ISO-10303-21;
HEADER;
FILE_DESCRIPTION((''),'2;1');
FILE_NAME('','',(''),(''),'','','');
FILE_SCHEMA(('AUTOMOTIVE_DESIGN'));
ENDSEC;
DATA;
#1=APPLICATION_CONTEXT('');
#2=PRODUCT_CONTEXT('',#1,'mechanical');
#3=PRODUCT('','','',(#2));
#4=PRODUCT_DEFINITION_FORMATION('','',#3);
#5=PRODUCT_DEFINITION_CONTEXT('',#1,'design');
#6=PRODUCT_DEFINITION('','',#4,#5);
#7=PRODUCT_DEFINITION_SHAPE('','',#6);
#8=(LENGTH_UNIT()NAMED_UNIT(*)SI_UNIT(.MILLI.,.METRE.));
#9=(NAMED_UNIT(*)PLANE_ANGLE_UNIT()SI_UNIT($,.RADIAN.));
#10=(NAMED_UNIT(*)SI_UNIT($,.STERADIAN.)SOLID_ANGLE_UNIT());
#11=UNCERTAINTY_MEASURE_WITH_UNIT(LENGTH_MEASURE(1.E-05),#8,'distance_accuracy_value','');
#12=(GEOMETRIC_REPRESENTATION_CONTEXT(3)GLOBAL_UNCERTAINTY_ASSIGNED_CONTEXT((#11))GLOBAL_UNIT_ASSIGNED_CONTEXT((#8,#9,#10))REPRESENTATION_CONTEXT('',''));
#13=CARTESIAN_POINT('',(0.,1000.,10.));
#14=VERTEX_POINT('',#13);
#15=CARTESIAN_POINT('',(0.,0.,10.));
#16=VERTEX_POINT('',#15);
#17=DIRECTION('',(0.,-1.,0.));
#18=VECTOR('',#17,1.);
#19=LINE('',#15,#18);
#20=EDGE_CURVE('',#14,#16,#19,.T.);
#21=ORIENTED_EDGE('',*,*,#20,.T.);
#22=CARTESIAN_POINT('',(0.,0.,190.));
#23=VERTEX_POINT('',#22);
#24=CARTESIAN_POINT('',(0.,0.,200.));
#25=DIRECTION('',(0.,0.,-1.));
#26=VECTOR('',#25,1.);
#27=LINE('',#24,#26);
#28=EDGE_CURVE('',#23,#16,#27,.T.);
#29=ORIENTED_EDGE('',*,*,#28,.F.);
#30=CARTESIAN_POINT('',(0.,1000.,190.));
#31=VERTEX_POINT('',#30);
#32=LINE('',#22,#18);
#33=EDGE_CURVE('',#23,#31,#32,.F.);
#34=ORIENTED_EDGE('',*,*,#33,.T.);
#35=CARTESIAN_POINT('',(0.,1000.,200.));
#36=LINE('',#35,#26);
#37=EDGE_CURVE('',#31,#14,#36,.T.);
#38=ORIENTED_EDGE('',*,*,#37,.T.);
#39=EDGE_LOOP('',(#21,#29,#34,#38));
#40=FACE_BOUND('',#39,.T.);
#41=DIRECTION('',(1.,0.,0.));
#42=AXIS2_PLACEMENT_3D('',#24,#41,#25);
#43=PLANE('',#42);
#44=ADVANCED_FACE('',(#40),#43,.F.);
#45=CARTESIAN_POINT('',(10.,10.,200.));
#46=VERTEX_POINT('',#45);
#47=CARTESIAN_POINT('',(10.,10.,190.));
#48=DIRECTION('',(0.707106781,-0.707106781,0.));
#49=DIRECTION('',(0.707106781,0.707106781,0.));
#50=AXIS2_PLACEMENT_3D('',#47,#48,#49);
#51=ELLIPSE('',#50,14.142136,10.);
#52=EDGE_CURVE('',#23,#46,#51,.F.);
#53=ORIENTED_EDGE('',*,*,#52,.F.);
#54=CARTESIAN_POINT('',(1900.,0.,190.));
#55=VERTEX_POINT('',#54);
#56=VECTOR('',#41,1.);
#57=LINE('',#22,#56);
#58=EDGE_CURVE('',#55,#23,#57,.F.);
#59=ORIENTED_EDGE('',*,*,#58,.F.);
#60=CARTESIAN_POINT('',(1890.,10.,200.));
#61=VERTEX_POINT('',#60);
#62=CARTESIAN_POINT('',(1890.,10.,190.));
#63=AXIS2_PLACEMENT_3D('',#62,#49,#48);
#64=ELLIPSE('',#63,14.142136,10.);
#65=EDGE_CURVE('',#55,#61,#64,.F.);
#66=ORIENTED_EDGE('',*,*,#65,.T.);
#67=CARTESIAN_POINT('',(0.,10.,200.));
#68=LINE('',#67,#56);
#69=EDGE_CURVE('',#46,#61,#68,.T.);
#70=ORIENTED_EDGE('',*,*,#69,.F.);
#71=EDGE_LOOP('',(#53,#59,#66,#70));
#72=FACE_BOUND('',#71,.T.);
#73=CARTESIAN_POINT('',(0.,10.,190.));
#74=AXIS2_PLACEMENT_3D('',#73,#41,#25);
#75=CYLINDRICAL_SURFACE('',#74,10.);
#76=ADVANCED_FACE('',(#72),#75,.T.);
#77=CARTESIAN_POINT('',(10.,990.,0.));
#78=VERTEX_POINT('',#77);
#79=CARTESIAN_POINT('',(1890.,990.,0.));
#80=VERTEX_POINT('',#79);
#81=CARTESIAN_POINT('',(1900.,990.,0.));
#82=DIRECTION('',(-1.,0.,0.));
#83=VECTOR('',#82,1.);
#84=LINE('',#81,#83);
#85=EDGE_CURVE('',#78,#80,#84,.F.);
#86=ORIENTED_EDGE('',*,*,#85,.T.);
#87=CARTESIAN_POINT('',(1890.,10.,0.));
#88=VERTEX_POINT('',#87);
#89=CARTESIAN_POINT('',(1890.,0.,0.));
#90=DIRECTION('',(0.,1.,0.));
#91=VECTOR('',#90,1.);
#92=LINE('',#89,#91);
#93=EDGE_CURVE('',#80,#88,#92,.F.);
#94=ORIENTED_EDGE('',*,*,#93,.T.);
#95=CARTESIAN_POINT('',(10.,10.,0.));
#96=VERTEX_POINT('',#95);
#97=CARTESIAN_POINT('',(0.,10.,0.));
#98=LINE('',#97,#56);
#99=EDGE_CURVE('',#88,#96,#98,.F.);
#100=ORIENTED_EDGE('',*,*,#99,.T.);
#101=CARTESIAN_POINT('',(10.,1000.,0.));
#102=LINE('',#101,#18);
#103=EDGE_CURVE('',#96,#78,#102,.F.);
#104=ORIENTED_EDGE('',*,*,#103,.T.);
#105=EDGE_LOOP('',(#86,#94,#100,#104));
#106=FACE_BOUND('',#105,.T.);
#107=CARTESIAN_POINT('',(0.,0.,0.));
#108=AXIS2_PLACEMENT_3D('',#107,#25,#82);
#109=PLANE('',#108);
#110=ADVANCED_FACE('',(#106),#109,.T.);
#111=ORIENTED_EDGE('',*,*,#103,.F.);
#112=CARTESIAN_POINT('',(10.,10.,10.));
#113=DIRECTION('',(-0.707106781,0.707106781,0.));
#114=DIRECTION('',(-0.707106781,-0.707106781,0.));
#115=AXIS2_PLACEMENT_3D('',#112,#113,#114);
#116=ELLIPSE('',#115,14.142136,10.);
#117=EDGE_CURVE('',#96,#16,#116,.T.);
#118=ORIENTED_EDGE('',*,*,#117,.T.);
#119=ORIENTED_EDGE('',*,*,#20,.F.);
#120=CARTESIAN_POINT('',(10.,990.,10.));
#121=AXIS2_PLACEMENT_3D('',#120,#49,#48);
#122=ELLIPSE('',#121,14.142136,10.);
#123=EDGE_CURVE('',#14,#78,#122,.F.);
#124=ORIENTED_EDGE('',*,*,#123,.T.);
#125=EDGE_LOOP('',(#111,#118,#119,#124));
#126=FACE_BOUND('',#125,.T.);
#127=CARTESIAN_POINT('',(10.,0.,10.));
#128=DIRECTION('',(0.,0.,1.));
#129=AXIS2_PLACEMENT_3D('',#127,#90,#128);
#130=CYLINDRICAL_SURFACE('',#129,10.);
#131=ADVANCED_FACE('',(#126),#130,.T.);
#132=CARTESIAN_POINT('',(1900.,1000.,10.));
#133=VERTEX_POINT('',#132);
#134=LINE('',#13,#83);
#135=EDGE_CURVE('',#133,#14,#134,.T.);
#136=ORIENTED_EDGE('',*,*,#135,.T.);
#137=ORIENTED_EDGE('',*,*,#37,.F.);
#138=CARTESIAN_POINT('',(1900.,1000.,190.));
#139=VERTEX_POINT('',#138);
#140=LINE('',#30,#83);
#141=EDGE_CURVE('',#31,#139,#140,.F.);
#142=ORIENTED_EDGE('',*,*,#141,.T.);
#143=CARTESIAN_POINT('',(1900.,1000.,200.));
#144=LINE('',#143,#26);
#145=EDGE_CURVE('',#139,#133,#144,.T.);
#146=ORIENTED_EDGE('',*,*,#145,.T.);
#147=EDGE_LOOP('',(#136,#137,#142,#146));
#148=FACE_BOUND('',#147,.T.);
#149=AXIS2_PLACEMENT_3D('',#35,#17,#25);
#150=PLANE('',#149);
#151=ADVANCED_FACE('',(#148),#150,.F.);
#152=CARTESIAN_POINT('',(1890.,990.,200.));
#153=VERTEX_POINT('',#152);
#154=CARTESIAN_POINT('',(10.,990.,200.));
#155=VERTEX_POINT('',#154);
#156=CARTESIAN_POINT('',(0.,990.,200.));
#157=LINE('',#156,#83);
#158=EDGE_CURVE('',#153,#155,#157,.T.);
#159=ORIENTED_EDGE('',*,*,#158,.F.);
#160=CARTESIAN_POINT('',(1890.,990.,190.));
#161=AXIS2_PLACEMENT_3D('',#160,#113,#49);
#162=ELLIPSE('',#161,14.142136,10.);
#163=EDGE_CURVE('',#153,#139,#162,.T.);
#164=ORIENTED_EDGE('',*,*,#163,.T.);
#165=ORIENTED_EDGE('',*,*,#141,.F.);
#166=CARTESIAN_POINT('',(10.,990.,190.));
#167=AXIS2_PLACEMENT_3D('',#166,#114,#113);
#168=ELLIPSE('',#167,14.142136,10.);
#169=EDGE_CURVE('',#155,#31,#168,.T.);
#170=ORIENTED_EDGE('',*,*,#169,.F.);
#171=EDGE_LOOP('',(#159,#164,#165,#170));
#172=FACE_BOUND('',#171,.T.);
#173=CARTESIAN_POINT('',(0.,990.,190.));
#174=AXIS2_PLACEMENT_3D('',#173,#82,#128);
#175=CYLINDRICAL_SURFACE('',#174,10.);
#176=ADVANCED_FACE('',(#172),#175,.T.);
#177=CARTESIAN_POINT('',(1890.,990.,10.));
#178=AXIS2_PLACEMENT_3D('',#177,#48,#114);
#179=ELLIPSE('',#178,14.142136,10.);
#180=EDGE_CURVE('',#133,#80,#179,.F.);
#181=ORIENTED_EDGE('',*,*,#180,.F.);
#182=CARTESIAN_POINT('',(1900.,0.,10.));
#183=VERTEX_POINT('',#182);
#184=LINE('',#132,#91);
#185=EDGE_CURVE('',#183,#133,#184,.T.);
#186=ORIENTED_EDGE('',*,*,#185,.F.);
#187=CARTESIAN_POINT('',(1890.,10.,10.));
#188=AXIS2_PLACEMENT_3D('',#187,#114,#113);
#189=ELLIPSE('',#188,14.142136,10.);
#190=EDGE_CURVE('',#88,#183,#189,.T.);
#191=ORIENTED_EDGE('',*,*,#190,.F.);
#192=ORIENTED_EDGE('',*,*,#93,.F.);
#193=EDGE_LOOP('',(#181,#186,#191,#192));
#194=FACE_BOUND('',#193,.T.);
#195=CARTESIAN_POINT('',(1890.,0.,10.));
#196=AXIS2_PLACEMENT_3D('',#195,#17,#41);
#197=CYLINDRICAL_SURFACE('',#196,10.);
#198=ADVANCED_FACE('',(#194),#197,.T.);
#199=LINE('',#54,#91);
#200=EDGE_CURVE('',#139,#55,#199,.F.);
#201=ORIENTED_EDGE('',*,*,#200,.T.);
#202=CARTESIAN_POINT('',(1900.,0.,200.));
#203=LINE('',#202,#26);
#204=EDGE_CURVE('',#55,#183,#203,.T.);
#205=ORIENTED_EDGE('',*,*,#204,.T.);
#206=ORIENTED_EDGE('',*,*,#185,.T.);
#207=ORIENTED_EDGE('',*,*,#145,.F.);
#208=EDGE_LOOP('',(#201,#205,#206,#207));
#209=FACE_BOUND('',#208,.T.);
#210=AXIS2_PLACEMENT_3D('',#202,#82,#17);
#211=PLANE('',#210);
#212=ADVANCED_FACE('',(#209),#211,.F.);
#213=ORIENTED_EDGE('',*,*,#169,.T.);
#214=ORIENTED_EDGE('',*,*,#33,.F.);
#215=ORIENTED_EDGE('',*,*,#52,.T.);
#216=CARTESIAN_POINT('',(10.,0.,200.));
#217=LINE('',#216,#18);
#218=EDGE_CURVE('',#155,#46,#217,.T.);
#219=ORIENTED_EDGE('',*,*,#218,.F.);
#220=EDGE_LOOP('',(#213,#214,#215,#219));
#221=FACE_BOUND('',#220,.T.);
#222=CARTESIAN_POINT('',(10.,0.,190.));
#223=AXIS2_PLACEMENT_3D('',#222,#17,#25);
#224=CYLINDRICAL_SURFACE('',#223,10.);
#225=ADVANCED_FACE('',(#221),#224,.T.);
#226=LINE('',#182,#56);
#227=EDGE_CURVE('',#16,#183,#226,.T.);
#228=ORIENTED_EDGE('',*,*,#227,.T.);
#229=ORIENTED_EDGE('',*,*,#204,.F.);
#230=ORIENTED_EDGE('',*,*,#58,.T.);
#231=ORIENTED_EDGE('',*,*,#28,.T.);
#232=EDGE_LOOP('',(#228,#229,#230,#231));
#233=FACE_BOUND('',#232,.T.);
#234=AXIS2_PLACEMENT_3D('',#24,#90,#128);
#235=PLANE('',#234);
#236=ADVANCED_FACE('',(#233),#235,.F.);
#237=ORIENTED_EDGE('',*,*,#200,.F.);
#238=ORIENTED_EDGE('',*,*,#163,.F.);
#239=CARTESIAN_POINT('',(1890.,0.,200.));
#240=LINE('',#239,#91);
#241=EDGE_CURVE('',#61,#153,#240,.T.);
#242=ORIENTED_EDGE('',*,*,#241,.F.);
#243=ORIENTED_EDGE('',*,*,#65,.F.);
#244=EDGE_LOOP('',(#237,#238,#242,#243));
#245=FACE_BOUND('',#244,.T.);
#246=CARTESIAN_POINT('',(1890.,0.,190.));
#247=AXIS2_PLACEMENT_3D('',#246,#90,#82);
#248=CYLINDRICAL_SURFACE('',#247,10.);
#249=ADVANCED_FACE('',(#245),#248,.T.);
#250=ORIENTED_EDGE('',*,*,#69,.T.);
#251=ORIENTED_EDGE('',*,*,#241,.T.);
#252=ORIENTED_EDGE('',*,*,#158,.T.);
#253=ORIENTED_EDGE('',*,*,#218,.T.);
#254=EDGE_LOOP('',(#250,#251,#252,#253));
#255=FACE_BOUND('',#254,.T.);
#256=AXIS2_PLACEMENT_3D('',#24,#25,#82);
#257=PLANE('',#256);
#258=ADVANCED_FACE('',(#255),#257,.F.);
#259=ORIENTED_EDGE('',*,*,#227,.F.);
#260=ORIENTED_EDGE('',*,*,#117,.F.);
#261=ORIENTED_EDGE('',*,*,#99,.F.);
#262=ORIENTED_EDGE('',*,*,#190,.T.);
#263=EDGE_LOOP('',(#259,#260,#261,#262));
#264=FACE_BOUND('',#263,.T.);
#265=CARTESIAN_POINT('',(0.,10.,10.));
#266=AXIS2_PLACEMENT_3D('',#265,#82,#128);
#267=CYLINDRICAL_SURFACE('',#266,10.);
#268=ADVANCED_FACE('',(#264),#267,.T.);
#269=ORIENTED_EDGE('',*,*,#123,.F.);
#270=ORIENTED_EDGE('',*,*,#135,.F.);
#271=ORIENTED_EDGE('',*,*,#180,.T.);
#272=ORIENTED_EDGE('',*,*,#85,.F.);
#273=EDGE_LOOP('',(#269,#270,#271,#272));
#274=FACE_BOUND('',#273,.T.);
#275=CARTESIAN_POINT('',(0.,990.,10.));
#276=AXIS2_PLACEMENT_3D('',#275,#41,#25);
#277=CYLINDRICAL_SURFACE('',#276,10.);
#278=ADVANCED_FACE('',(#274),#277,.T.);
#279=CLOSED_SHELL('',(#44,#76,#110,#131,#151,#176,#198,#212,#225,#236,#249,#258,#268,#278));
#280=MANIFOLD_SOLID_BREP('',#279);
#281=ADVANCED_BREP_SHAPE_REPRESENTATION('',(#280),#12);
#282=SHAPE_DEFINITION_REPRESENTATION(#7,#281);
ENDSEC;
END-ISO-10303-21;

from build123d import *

# Parameters (mm, degrees)
SKETCH1_W           = 190
SKETCH1_H           = 100
BOSS_EXTRUDE1_DEPTH = 20
FILLET1_R           = 1
SCALE1_SCALE        = 10


with BuildPart() as part:
    # Sketch1 → Boss-Extrude1 (new body)
    with BuildSketch(Plane.XY):
        with Locations((95, 50)):
            Rectangle(SKETCH1_W, SKETCH1_H)
    extrude(amount=BOSS_EXTRUDE1_DEPTH)

    # Fillet1
    fillet1_edges = [part.edges().sort_by_distance(p)[0] for p in [
        (190, 50, 20),
        (95, 100, 20),
        (0, 50, 20),
        (95, 100, 0),
        (190, 50, 0),
        (95, 0, 0),
        (0, 50, 0),
        (95, 0, 20),
    ]]
    fillet(fillet1_edges, radius=FILLET1_R)


with BuildPart() as part_1:
    # Scale1: scaled about (0, 0, 0)
    add(part.part.scale(SCALE1_SCALE))


solid = part_1.part
